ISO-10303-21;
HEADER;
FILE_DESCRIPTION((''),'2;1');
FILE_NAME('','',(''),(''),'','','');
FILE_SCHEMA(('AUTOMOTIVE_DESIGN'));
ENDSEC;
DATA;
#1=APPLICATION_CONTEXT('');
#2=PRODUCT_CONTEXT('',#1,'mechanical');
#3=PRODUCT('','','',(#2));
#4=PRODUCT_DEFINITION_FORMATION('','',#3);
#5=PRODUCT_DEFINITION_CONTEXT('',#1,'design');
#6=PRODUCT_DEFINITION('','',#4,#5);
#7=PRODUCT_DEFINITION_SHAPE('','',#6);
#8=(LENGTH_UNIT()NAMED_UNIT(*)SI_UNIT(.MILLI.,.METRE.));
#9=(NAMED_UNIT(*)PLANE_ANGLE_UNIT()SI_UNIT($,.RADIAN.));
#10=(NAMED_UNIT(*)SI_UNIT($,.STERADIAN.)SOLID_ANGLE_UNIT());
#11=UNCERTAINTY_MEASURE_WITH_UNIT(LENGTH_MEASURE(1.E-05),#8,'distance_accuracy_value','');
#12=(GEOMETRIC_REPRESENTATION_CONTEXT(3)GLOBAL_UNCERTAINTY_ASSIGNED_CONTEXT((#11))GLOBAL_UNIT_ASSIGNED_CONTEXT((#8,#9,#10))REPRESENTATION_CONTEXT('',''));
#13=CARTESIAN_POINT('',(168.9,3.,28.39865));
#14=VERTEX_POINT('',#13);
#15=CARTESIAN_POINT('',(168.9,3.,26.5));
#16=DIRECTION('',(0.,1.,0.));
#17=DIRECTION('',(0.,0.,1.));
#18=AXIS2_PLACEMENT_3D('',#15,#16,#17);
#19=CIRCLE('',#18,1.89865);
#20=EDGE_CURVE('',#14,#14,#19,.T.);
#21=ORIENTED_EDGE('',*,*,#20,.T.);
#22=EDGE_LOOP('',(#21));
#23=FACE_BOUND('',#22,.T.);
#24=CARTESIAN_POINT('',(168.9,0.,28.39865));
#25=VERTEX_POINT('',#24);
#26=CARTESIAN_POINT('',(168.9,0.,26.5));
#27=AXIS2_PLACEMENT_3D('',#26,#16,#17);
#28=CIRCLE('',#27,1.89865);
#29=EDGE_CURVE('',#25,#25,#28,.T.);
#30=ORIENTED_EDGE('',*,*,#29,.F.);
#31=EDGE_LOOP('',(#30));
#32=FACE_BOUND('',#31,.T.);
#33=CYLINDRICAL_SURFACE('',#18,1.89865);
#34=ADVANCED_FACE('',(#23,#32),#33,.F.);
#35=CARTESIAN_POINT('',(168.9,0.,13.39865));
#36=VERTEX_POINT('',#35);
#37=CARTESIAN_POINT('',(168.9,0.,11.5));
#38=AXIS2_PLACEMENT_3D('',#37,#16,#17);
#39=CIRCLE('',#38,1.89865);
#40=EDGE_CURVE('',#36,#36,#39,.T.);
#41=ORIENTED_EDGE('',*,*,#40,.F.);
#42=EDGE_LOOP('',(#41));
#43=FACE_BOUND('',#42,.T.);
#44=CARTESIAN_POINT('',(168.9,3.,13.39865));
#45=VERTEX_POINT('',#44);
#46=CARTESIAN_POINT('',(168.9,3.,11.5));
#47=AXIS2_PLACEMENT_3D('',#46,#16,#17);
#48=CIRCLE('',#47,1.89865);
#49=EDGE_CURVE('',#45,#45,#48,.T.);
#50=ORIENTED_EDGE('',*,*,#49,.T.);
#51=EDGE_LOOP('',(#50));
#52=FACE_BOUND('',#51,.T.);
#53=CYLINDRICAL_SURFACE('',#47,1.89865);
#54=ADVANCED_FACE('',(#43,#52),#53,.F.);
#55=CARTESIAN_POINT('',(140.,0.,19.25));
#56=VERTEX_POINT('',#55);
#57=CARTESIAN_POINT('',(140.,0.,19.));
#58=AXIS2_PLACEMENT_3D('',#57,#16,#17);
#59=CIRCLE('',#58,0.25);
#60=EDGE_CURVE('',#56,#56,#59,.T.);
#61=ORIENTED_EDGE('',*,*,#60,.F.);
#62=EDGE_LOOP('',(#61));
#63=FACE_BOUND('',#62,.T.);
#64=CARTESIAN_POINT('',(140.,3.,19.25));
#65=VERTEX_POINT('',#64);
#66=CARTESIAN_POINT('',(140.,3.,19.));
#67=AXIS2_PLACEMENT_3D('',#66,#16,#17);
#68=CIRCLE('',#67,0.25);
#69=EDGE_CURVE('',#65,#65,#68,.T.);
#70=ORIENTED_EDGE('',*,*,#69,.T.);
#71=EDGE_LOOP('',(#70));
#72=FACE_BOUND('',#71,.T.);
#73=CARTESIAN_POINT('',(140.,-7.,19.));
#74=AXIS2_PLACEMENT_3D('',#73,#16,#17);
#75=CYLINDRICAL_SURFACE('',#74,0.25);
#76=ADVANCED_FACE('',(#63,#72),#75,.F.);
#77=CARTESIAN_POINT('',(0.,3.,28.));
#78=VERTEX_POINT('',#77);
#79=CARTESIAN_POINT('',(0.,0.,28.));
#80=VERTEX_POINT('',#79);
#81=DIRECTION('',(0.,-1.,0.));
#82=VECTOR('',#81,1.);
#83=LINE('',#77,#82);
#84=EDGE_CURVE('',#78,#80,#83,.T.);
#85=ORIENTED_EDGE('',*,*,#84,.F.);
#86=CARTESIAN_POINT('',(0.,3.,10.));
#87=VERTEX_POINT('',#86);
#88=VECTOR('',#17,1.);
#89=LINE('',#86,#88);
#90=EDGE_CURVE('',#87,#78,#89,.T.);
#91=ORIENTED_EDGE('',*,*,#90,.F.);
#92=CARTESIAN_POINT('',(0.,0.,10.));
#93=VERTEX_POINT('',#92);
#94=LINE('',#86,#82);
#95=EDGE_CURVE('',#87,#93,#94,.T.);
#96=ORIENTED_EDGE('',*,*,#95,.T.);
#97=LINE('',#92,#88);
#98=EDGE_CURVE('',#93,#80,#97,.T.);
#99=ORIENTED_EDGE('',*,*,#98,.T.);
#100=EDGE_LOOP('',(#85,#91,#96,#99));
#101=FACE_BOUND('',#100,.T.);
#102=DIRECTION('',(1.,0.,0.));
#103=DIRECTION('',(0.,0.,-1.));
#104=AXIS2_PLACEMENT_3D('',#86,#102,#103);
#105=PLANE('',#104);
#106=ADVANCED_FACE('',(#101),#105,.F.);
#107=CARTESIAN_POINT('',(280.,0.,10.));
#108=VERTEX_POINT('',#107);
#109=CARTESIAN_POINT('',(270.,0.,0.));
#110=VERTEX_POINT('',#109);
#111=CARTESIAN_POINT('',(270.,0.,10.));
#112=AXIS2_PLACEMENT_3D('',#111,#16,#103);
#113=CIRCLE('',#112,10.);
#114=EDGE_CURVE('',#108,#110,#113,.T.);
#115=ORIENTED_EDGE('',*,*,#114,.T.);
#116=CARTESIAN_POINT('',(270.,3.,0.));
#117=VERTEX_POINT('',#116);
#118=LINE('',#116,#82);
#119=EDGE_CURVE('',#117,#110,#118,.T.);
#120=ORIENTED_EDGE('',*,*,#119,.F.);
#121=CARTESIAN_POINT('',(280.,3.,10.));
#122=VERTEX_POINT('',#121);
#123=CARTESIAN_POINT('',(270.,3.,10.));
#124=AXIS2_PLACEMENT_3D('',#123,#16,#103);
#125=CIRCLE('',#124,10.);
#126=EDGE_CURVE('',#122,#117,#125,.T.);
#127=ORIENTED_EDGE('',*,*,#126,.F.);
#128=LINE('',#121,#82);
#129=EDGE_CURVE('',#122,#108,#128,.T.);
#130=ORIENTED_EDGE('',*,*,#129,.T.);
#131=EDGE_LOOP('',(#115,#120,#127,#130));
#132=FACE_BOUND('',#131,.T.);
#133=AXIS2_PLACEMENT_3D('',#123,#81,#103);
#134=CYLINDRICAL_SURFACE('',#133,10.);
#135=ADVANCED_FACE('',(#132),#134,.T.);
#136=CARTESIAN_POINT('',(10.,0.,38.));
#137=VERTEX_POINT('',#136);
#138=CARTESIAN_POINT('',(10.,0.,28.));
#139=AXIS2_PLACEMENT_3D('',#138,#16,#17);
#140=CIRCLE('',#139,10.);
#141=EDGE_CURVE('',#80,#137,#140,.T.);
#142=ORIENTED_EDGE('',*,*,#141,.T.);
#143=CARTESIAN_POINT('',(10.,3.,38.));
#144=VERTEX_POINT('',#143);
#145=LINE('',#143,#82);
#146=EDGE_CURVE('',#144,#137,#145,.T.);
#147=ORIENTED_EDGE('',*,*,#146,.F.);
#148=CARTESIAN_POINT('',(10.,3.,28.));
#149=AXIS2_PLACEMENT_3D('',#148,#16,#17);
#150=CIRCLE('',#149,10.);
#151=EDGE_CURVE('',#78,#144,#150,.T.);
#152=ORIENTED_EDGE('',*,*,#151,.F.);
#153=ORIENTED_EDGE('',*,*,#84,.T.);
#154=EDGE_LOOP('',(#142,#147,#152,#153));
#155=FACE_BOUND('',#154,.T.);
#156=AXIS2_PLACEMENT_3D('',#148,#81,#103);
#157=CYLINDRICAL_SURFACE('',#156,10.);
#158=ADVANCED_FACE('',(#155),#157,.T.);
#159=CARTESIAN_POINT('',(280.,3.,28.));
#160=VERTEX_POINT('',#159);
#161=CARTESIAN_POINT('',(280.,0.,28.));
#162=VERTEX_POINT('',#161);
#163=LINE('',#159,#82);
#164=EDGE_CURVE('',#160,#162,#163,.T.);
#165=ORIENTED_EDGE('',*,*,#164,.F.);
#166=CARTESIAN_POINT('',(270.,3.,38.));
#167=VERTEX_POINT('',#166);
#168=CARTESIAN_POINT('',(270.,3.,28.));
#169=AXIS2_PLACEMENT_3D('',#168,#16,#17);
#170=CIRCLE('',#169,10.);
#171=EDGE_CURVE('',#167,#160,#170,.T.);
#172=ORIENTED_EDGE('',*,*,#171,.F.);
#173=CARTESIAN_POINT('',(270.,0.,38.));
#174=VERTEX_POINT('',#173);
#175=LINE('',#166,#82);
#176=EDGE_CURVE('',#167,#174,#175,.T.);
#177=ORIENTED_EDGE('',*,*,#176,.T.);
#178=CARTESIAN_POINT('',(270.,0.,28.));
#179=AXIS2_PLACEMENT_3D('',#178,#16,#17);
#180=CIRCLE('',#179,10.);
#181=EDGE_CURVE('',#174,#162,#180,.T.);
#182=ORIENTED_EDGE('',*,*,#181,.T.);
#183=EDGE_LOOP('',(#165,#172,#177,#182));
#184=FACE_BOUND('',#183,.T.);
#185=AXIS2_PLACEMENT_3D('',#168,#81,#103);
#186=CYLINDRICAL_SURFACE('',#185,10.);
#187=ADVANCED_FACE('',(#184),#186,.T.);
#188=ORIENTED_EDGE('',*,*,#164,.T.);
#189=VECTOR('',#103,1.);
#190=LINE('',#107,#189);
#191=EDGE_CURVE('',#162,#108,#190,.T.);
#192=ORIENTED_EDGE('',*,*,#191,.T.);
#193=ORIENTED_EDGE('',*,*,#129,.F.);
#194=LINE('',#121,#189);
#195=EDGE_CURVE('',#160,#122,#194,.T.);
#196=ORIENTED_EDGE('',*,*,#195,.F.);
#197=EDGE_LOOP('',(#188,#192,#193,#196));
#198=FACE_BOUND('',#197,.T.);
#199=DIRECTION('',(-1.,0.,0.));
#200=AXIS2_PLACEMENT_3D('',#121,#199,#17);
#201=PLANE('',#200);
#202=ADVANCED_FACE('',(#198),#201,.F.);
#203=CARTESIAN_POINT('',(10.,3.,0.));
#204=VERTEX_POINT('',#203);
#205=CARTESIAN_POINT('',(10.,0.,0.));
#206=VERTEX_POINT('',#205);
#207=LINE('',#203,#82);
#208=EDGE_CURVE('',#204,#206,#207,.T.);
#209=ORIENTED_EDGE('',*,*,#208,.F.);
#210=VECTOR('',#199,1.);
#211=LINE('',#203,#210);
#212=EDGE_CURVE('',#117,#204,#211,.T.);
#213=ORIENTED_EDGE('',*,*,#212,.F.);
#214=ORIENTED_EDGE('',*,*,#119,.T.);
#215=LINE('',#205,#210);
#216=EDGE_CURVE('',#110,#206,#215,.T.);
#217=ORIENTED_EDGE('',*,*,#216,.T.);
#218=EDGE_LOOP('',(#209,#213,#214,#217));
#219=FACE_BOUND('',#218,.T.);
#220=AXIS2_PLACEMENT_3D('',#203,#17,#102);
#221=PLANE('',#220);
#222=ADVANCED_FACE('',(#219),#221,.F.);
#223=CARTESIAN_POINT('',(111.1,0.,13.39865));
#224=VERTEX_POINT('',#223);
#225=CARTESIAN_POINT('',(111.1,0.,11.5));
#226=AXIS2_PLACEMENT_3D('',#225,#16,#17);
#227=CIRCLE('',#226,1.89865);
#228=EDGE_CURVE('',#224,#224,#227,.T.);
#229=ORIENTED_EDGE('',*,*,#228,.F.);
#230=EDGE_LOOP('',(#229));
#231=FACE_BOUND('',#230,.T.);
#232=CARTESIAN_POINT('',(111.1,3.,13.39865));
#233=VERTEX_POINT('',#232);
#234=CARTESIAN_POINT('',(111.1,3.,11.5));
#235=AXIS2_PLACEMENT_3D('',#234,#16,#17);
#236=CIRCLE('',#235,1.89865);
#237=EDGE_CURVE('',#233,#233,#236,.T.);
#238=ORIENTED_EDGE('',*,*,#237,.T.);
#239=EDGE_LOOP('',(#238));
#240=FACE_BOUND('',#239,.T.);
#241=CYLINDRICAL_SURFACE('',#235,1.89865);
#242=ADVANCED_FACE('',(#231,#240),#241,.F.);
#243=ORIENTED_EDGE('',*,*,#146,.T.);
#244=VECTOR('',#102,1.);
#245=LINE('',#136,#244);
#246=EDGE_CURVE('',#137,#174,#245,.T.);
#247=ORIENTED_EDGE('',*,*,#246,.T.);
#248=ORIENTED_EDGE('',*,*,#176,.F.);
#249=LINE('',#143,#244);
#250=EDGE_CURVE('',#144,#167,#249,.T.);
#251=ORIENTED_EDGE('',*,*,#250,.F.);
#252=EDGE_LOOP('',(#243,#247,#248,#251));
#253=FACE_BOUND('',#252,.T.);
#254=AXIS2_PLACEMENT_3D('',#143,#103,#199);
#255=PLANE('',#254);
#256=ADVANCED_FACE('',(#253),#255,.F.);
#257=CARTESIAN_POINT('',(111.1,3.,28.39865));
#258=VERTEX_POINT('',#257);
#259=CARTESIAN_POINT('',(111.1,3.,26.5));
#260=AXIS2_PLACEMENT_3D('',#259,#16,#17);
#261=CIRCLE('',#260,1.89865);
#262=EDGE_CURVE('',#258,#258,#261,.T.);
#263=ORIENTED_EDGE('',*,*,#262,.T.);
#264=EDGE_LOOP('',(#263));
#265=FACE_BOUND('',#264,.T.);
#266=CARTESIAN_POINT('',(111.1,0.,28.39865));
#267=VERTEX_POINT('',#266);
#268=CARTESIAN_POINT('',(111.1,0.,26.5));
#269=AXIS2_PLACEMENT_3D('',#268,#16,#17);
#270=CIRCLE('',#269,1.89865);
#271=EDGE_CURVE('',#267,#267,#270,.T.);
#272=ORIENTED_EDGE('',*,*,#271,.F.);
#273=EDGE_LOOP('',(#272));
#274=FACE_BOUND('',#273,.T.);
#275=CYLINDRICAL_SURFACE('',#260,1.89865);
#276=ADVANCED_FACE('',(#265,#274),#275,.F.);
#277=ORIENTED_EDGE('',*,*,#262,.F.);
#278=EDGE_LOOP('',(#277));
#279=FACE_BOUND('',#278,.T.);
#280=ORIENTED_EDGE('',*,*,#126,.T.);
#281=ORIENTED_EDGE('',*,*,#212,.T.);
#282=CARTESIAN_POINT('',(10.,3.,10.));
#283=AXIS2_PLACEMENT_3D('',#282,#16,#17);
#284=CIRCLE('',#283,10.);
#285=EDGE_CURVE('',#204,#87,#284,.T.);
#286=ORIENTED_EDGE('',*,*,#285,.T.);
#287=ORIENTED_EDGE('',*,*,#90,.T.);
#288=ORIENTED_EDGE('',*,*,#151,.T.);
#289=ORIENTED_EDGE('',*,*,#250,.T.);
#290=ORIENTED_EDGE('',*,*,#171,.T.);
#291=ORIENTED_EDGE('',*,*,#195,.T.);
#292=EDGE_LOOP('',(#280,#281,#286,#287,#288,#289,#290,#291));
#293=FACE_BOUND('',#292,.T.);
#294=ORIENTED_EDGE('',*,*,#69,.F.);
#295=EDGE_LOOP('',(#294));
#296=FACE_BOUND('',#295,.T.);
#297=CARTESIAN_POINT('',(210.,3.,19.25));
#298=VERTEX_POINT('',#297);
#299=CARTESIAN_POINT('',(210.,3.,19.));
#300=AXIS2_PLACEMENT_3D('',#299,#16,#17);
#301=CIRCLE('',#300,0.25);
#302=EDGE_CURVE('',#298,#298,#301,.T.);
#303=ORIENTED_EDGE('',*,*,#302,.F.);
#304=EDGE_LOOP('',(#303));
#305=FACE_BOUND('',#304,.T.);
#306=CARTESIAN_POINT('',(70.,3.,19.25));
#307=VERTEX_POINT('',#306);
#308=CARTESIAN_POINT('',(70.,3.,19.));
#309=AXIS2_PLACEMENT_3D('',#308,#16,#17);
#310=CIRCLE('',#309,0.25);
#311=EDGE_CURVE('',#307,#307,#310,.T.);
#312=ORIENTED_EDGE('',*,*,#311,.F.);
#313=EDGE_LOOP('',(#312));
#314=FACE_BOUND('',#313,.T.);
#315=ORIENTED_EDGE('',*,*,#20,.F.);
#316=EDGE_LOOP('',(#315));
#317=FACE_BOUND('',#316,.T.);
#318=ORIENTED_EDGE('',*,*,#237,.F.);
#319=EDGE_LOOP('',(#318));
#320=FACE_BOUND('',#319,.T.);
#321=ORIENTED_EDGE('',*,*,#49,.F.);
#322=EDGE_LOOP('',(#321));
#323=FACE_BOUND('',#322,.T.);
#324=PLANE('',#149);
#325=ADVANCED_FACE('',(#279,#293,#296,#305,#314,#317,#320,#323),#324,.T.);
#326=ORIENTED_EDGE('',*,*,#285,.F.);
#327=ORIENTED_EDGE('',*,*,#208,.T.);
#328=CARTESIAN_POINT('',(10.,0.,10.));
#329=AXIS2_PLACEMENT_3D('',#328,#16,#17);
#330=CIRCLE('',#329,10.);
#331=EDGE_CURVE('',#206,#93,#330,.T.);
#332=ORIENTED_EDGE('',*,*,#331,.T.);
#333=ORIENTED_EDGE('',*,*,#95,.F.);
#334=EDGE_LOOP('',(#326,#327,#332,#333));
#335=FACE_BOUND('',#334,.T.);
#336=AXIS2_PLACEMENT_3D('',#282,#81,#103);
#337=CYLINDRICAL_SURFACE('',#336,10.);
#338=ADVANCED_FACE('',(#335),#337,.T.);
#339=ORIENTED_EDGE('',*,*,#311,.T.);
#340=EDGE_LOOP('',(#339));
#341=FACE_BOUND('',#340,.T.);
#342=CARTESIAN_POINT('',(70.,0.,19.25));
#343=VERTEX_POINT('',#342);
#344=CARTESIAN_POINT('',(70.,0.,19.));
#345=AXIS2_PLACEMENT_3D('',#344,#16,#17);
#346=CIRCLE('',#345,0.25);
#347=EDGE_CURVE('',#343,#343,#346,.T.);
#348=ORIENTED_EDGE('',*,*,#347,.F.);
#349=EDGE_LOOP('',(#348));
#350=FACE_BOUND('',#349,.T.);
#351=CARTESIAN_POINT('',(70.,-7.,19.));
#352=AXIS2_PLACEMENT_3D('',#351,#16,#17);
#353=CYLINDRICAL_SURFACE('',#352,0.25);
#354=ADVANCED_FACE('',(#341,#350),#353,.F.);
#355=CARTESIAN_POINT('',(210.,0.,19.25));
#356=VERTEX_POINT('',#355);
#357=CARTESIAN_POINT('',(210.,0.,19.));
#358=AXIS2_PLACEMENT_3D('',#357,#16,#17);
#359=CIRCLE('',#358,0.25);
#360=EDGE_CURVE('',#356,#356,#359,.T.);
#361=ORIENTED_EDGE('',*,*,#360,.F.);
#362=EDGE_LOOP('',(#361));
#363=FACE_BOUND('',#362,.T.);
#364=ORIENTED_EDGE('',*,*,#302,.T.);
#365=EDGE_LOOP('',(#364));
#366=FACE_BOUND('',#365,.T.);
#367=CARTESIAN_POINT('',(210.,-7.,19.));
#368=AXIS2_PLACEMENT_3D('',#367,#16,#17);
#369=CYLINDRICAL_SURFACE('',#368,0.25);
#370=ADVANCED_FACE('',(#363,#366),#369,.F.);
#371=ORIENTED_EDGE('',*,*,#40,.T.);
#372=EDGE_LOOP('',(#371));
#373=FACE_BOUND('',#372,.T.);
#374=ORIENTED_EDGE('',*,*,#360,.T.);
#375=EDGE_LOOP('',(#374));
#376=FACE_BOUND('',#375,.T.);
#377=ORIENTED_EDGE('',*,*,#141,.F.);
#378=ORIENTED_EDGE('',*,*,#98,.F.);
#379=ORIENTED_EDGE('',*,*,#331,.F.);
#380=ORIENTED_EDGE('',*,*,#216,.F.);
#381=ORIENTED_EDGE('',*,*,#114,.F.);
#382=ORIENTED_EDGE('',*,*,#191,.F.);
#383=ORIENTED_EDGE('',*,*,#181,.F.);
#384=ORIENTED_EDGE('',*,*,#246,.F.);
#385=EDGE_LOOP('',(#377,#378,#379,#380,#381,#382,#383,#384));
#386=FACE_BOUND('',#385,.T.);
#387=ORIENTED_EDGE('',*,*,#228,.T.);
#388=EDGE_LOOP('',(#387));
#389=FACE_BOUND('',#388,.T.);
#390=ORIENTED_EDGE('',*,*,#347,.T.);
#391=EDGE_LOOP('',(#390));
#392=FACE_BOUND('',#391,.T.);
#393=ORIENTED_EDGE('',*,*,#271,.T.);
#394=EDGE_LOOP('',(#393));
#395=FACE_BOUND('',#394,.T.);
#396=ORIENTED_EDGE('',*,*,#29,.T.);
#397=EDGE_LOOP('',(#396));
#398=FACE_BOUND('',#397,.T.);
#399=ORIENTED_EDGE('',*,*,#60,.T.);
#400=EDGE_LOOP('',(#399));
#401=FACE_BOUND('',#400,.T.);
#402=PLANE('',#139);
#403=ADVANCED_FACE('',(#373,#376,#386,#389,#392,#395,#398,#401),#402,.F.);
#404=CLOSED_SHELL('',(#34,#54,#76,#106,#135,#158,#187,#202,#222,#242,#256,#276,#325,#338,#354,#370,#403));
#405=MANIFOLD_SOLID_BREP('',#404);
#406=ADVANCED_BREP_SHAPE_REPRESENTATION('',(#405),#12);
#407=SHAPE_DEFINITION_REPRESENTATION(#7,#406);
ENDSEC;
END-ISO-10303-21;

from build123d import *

# Parameters (mm, degrees)
BOSS_EXTRUDE1_DEPTH   = 3
F_6_CLEARANCE_HOLE1_D = 3.7973
SKETCH4_R             = 0.25
CUT_EXTRUDE1_DEPTH    = 10


with BuildPart() as part:
    # Sketch1 → Boss-Extrude1 (new body)
    with BuildSketch(Plane(origin=(0, 0, 0), x_dir=(1, 0, 0), z_dir=(0, 1, 0))):
        with BuildLine():
            Line((10, 0), (270, 0))
            ThreePointArc((270, 0), (277.071067812, -2.928932188), (280, -10))
            Line((280, -10), (280, -28))
            ThreePointArc((280, -28), (277.071067812, -35.071067812), (270, -38))
            Line((270, -38), (10, -38))
            ThreePointArc((10, -38), (2.928932188, -35.071067812), (0, -28))
            Line((0, -28), (0, -10))
            ThreePointArc((0, -10), (2.928932188, -2.928932188), (10, 0))
        make_face()
    extrude(amount=BOSS_EXTRUDE1_DEPTH)

    # #6 Clearance Hole1 (through all)
    with Locations(Plane(origin=(0, 3, 0), x_dir=(1, 0, 0), z_dir=(0, 1, 0))):
        with Locations((111.1, -11.5), (111.1, -26.5), (168.9, -26.5), (168.9, -11.5)):
            Hole(F_6_CLEARANCE_HOLE1_D / 2)

    # Sketch4 → Cut-Extrude1 (cut)
    with BuildSketch(Plane(origin=(0, 3, 0), x_dir=(1, 0, 0), z_dir=(0, 1, 0))):
        with Locations(Location((70, -19, 0), (0, 0, 270))):
            Circle(SKETCH4_R)
        with Locations(Location((140, -19, 0), (0, 0, 270))):
            Circle(SKETCH4_R)
        with Locations(Location((210, -19, 0), (0, 0, 270))):
            Circle(SKETCH4_R)
    extrude(amount=-CUT_EXTRUDE1_DEPTH, mode=Mode.SUBTRACT)


solid = part.part
